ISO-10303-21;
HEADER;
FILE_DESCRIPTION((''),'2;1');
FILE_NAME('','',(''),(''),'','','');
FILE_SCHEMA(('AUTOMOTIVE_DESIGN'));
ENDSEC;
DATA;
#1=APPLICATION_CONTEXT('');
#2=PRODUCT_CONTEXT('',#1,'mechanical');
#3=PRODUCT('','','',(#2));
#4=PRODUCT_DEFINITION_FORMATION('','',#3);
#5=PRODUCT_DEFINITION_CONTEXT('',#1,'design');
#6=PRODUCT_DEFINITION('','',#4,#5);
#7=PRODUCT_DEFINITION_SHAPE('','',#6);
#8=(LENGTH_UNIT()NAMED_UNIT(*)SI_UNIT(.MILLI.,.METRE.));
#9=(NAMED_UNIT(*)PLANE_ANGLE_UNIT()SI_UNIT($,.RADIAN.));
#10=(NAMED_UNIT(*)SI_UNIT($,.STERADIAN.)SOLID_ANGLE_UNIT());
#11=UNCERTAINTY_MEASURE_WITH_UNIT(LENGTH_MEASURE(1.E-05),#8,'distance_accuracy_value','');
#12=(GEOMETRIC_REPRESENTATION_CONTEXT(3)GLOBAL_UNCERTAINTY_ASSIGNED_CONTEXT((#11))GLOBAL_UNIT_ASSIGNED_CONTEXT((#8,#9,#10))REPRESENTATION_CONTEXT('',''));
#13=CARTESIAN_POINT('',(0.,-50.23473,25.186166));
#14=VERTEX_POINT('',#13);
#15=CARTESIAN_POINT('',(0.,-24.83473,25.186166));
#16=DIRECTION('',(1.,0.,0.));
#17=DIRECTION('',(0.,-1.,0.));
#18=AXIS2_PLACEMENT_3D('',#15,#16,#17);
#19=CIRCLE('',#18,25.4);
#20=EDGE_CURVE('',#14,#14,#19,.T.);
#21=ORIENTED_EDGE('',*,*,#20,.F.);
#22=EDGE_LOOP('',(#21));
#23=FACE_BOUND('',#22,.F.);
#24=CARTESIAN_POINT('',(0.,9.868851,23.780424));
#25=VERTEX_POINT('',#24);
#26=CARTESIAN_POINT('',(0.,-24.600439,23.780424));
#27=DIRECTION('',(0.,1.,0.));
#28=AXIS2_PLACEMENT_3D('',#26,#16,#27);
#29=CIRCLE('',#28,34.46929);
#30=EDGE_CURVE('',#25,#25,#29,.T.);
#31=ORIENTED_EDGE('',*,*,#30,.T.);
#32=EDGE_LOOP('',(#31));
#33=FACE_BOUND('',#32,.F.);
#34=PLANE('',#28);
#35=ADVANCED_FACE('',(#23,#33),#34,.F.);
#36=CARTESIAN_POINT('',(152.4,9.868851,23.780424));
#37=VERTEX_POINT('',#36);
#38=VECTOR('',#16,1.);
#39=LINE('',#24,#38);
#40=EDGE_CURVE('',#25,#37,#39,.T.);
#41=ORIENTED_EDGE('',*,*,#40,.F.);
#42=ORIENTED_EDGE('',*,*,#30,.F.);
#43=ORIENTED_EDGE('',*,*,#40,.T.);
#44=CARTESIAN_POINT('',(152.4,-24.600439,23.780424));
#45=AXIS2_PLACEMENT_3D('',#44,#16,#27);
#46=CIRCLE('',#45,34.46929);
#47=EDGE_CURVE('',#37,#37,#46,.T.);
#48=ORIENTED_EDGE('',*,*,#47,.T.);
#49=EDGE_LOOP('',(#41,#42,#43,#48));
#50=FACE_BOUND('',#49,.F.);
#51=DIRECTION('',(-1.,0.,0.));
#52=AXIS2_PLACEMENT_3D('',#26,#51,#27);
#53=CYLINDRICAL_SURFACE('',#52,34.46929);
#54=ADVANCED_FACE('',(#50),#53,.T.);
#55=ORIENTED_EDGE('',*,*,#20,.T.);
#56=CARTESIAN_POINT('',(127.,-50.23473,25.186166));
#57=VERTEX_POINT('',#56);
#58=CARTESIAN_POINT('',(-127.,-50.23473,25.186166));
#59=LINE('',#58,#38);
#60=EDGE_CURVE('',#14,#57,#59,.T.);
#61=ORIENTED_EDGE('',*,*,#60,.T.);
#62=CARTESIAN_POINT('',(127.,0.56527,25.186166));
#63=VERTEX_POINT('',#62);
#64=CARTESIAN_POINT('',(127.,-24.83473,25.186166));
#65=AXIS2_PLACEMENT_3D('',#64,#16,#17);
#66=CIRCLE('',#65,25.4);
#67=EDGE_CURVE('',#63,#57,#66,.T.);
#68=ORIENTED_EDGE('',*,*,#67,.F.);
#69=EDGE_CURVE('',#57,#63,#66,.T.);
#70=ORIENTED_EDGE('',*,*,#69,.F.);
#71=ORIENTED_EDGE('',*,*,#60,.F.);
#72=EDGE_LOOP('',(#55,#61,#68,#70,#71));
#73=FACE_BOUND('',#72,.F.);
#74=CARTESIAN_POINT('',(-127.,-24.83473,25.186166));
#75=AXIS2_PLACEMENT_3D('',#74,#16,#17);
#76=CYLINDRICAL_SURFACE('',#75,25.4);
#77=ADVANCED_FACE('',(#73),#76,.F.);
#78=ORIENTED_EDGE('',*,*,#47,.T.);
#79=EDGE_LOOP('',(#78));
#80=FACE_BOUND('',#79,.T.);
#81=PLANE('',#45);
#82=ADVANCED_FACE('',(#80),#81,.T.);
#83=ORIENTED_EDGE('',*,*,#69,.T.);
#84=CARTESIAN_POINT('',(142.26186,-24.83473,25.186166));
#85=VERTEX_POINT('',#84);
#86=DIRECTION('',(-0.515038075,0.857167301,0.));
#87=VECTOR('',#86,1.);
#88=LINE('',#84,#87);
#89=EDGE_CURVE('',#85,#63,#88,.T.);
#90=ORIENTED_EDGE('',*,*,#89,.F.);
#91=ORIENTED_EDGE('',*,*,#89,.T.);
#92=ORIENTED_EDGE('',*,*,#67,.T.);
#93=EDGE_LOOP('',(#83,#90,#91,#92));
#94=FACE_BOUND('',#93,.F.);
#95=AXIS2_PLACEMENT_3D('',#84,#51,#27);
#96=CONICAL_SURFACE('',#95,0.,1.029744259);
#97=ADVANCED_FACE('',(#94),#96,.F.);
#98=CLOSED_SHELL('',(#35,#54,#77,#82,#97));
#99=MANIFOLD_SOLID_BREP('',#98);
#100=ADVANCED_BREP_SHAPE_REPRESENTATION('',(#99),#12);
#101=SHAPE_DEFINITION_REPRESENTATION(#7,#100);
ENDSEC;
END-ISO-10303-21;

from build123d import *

# Parameters (mm, degrees)
F0_R     = 34.4692902279
F1_DEPTH = 152.4
F3_D     = 50.8
F3_DEPTH = 127
F3_TIP   = 15.2618597233


with BuildPart() as f1:
    # F0 (on Right) → F1 (new body)
    with BuildSketch(Plane.YZ):
        with Locations((-24.6004387736, 23.7804241478)):
            Circle(F0_R)
    extrude(amount=F1_DEPTH)

    # F3
    with Locations(Plane(origin=(0, 0, 0), x_dir=(0, 1, 0), z_dir=(-1, 0, 0))):
        with Locations((-24.8347297311, -25.1861661673)):
            Hole(F3_D / 2, depth=F3_DEPTH)
            with Locations((0, 0, -(F3_DEPTH + F3_TIP / 2))):  # 118° drill point
                Cone(0, F3_D / 2, F3_TIP, mode=Mode.SUBTRACT)


solid = f1.part
